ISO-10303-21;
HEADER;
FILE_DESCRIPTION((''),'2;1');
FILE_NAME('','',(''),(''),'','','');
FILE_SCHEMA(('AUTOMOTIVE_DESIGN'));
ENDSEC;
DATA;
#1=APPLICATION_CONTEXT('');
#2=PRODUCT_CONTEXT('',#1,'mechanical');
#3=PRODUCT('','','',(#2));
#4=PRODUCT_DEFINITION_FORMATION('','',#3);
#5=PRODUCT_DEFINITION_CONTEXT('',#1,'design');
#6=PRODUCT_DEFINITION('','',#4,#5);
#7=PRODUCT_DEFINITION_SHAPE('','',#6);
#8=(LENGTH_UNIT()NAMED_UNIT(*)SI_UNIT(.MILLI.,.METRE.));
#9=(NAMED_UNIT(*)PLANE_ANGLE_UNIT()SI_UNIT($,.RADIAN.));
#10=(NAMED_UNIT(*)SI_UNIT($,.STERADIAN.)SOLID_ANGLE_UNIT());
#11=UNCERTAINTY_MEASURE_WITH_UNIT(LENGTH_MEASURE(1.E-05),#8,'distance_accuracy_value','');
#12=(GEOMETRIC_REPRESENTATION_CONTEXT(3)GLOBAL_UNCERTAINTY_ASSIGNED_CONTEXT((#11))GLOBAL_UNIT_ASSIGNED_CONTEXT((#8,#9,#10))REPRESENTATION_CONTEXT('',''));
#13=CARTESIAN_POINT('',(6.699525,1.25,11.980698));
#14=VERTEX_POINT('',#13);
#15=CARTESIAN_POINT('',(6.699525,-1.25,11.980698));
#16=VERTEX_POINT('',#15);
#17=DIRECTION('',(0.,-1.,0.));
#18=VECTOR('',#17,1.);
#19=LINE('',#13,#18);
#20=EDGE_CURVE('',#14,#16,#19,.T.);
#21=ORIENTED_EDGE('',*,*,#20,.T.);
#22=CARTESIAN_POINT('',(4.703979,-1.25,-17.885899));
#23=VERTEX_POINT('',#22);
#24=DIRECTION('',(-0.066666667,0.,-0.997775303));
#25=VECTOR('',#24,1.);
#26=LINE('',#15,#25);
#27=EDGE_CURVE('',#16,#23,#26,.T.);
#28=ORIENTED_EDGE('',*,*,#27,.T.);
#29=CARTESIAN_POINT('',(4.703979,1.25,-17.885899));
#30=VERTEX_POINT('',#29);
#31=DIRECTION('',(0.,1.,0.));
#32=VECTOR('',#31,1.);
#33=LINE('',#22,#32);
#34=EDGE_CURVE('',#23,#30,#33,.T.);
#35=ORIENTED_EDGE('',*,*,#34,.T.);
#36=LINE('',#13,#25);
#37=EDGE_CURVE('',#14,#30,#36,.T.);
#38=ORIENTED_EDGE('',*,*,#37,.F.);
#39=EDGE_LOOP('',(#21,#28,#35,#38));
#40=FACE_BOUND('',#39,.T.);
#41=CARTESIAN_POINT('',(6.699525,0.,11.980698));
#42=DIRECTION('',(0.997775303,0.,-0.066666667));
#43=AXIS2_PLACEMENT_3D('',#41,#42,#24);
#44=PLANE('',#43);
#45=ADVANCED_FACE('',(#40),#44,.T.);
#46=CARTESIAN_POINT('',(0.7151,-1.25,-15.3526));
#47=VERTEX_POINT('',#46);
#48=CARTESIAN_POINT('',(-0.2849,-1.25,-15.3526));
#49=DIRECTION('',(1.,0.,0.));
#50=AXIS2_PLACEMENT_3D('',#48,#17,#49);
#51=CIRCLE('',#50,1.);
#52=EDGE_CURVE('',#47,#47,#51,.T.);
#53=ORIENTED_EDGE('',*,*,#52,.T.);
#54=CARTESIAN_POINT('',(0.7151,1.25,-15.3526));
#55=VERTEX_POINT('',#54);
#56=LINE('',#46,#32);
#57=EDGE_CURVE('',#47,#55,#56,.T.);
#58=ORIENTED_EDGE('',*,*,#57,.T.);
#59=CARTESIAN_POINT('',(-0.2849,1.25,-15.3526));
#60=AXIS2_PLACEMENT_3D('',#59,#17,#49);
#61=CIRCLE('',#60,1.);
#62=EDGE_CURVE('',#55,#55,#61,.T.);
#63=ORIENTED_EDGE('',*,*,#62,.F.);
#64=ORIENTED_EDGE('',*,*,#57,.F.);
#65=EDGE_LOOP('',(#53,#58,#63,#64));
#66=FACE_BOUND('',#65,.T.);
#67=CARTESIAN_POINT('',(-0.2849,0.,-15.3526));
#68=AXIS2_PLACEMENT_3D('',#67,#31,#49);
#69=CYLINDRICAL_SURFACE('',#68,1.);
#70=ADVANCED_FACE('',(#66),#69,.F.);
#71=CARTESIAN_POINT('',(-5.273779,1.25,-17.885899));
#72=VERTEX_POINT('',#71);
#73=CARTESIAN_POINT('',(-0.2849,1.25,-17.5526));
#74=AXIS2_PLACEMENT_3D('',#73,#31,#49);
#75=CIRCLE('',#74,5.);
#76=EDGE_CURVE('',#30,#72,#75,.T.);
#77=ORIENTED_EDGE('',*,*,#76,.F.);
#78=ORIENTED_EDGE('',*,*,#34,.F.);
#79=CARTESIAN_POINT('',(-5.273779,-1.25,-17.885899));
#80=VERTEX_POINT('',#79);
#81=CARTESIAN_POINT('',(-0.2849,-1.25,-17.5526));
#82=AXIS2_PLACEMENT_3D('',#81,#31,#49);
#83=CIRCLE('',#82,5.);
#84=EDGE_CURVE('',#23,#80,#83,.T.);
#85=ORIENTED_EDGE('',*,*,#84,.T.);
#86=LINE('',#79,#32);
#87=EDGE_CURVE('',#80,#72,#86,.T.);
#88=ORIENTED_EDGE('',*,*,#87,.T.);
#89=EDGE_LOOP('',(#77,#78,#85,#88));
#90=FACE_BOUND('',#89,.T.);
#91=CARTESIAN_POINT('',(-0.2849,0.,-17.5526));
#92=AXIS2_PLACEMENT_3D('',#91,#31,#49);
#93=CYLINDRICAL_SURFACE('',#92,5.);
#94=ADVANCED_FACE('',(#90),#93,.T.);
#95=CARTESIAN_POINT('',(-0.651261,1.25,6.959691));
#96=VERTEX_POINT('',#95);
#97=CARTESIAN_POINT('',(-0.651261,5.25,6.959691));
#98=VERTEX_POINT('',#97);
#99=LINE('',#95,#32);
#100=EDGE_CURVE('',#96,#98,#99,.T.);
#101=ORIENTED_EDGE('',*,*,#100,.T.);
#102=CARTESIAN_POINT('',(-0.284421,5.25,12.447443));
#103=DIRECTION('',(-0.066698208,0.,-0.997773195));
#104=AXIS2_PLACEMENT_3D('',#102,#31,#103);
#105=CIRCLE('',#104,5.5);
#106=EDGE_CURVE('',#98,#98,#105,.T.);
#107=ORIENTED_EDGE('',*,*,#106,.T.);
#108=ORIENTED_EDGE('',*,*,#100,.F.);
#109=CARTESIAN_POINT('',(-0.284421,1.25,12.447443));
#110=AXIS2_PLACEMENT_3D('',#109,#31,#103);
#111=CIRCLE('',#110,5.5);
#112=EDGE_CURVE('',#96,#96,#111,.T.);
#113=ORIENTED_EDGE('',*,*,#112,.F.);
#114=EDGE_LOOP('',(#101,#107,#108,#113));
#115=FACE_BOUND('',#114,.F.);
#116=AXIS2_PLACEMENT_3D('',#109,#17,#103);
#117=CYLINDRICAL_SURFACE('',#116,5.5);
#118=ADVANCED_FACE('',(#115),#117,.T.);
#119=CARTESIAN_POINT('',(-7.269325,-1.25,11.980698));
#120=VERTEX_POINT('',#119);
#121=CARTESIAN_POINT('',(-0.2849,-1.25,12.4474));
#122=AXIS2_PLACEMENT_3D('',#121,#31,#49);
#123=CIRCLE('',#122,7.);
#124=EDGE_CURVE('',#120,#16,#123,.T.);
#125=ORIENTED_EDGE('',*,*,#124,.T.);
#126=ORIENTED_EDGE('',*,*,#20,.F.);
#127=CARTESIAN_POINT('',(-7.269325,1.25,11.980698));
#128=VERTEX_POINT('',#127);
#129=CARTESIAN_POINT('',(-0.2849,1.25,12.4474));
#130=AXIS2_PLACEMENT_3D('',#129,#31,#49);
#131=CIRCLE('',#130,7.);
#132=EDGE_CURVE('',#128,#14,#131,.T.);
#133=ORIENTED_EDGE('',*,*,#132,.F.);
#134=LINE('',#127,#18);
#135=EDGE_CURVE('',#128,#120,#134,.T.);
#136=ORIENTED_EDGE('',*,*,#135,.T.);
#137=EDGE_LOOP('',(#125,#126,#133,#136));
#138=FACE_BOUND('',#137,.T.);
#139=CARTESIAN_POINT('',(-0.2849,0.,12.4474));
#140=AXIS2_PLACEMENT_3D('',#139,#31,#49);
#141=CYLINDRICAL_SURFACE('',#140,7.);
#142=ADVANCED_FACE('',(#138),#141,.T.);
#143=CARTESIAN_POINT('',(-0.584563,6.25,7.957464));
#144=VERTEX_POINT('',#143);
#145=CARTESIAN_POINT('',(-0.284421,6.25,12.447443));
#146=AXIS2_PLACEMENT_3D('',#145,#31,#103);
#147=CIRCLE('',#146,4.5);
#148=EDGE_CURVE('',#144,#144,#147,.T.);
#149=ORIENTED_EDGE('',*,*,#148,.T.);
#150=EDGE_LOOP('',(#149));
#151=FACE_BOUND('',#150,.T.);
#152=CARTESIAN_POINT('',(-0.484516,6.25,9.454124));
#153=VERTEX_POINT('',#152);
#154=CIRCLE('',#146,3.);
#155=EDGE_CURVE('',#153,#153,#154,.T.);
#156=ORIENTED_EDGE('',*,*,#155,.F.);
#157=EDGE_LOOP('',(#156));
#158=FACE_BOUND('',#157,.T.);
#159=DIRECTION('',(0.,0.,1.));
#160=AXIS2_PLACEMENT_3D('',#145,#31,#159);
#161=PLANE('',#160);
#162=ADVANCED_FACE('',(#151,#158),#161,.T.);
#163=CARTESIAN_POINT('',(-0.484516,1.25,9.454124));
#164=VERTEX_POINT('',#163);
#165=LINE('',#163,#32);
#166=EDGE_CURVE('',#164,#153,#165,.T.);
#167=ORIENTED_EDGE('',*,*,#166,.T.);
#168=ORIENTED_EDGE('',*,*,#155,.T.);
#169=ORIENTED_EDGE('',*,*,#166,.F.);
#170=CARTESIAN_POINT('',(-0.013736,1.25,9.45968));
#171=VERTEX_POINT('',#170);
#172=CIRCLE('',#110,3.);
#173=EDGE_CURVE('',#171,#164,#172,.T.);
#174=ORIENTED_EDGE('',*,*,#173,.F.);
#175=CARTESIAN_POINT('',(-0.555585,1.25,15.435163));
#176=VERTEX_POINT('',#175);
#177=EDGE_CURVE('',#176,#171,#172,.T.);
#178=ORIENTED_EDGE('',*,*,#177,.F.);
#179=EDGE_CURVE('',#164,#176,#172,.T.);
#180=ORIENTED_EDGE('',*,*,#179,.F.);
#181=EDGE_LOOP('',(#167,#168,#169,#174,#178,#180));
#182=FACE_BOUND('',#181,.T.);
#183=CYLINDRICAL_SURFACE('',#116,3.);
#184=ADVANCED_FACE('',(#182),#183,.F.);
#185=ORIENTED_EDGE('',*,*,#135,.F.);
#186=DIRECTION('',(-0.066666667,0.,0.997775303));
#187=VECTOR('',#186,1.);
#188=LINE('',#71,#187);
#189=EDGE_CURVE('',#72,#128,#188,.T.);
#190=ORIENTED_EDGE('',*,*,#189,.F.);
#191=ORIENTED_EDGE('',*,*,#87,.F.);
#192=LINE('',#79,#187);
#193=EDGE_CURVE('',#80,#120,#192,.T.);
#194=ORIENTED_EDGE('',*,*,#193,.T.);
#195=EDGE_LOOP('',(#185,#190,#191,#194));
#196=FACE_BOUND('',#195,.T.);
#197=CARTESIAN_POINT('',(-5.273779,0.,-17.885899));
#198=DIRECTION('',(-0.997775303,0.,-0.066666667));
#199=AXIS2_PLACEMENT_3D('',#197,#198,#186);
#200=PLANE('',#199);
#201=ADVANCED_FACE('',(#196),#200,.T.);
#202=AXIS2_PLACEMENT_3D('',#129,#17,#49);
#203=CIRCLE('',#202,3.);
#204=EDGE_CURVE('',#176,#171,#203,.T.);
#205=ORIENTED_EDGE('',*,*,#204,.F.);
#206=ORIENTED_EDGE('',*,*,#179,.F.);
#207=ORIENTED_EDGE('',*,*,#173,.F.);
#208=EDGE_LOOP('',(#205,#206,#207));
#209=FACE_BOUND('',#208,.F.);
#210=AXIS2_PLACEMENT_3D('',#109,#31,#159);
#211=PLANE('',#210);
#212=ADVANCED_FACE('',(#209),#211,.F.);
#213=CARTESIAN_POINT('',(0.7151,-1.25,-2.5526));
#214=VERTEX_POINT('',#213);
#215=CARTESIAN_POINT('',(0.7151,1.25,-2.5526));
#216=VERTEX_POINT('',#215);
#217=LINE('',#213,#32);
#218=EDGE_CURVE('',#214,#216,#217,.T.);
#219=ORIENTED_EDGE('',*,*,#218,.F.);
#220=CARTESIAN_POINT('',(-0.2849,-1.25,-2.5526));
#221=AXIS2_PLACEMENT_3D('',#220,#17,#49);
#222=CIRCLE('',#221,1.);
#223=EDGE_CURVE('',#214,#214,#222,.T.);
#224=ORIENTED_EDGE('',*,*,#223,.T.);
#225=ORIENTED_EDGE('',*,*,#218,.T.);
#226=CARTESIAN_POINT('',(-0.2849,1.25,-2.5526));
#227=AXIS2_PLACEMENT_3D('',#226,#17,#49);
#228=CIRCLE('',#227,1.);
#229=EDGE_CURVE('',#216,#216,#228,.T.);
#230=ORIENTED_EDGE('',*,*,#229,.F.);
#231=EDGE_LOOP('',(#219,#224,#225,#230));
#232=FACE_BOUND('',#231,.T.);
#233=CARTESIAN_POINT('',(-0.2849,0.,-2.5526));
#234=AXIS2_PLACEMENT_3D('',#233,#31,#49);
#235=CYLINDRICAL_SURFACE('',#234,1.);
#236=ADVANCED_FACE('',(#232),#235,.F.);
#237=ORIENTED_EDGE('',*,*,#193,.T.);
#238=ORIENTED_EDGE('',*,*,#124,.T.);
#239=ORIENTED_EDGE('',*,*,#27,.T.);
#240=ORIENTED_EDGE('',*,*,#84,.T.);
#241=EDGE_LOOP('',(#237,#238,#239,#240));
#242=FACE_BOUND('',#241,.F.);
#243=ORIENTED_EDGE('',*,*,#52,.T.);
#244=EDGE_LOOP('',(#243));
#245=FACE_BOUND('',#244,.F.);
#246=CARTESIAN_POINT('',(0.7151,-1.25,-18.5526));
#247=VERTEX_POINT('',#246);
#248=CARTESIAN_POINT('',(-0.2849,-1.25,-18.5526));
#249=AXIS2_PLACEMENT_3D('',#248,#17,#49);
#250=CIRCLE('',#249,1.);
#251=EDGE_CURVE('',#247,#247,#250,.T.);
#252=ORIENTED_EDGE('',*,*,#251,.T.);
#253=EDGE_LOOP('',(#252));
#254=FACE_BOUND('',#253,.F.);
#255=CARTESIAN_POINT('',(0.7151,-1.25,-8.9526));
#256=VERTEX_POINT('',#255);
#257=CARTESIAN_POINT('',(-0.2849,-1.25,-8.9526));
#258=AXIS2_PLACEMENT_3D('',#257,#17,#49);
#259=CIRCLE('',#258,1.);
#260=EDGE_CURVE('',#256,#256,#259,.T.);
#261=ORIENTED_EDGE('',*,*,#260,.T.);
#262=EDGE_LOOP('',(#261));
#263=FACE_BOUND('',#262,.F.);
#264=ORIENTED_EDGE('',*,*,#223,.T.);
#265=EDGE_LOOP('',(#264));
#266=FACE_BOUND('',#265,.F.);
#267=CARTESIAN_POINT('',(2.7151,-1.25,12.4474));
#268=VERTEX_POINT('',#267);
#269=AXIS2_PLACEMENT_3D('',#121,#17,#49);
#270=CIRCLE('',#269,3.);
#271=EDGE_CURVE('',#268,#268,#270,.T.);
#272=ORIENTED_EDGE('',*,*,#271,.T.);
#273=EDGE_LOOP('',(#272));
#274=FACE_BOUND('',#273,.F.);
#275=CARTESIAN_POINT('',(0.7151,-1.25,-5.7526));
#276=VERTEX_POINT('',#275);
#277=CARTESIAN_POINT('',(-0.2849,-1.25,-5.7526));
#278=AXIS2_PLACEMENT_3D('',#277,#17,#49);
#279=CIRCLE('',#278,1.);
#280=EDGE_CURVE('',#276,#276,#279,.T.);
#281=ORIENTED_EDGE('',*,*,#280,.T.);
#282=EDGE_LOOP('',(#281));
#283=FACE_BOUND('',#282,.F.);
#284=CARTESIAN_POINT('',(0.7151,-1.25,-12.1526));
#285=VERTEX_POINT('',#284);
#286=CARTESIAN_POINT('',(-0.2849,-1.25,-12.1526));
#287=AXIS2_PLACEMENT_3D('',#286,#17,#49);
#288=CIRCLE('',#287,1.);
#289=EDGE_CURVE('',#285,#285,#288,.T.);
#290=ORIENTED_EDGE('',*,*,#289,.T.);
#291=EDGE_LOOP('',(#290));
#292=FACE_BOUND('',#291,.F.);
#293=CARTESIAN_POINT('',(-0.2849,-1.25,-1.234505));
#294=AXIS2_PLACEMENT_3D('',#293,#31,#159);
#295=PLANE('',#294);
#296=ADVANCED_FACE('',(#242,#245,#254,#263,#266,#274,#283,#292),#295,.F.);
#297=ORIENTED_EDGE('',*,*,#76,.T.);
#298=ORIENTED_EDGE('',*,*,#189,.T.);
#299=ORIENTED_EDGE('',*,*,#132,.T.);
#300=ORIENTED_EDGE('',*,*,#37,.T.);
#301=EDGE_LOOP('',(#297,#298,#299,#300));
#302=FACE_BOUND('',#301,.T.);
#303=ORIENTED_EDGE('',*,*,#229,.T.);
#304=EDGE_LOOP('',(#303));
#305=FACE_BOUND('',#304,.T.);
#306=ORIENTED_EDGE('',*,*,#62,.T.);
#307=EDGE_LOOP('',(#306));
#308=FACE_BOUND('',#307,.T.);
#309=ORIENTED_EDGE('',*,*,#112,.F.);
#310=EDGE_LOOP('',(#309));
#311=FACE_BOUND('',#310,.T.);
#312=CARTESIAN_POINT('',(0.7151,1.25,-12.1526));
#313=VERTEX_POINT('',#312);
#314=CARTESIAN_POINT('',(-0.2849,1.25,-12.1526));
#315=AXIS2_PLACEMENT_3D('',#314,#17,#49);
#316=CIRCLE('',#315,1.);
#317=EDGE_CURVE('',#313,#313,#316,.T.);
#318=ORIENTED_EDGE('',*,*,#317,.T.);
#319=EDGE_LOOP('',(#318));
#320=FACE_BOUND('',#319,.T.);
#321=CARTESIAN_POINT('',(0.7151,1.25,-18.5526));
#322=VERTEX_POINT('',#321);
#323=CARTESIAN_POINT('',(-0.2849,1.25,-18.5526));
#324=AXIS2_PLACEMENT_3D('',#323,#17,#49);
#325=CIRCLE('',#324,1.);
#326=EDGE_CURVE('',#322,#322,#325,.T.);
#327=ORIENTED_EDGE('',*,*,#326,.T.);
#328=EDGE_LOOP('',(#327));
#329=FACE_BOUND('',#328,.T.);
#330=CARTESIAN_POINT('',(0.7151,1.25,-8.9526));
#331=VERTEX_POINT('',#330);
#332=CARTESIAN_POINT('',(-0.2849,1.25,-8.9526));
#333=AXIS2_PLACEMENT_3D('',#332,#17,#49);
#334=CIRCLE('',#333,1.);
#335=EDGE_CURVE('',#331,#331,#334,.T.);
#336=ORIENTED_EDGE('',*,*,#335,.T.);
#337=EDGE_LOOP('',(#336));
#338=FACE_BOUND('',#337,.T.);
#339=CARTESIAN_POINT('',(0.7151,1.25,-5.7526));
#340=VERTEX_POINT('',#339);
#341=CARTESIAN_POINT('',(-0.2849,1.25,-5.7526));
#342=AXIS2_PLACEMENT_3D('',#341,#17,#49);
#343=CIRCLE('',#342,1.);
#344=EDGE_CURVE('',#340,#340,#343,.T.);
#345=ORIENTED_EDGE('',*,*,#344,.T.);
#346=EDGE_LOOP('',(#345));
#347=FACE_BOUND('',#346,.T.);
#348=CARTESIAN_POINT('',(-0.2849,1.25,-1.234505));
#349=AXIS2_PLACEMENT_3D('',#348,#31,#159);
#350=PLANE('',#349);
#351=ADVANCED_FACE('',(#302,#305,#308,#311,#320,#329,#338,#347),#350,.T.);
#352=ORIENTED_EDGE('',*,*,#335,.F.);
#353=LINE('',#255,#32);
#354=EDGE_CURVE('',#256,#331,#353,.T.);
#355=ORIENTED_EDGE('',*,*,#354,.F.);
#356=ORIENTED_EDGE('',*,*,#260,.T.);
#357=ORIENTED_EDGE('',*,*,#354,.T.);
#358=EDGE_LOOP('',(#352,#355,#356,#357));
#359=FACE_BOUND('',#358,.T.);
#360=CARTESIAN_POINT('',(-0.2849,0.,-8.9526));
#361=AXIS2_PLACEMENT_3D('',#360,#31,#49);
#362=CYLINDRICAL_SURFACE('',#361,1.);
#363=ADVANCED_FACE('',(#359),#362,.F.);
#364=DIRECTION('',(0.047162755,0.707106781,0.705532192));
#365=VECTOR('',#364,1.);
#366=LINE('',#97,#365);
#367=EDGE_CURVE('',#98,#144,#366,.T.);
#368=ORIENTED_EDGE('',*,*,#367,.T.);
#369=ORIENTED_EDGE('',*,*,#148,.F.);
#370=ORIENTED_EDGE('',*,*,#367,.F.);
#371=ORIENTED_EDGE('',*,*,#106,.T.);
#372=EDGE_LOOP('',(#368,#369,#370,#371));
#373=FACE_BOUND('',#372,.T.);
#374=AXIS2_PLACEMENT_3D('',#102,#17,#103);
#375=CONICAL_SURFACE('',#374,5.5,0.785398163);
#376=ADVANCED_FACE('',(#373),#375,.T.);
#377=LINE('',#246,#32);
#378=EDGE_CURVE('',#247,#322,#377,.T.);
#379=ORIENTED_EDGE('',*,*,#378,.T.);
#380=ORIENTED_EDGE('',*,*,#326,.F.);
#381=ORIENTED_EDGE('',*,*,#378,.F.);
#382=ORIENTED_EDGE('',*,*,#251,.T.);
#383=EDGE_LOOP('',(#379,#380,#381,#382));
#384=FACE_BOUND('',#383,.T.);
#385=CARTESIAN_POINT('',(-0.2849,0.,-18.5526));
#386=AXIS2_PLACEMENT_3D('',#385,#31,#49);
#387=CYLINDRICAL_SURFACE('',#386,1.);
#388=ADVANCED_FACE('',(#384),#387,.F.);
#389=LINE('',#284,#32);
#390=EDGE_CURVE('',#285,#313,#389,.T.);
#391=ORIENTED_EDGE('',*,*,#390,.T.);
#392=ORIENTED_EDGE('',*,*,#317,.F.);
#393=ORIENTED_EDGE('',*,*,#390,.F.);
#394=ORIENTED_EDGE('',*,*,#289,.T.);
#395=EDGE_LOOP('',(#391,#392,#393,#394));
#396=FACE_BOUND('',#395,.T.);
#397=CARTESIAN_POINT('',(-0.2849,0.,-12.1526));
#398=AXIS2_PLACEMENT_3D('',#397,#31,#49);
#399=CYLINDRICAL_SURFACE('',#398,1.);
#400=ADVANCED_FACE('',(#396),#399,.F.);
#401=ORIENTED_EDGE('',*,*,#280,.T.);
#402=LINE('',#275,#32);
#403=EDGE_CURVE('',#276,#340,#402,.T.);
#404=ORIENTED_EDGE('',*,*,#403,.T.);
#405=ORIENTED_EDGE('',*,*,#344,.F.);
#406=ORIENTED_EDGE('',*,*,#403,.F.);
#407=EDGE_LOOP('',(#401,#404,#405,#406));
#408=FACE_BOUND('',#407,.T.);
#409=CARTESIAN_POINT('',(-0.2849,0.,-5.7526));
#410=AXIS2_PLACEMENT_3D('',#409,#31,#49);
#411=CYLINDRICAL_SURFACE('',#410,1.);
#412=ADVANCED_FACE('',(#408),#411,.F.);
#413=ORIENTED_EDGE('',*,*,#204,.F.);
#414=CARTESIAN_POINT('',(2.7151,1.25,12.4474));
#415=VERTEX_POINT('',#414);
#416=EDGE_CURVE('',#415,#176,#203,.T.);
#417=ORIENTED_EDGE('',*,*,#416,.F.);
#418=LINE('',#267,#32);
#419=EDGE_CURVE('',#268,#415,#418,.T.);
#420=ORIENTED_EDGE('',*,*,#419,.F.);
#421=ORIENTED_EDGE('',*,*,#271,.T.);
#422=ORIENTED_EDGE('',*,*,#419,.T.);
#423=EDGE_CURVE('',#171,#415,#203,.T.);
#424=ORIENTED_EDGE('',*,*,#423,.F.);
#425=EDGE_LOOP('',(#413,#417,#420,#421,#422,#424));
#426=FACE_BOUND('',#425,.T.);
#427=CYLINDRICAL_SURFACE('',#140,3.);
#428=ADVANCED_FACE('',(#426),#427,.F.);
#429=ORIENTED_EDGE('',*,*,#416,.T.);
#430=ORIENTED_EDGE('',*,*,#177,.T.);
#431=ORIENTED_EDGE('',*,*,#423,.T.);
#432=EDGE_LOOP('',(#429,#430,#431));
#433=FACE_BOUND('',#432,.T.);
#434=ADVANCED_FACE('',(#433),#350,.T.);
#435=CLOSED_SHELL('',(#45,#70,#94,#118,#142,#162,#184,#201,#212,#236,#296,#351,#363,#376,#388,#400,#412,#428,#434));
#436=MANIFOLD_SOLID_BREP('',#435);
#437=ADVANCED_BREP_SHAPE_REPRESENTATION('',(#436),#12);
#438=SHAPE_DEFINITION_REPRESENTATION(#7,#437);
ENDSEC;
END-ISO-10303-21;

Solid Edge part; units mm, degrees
sketch "Sketch1" plane through (0, 0, 0) normal (0, -1, 0) x (1, 0, 0)
  circle A0 centre (-0.2849, 12.4474) radius 3
  circle A1 centre (-0.2849, -2.5526) radius 1
  circle A2 centre (-0.2849, -5.7526) radius 1
  circle A3 centre (-0.2849, -8.9526) radius 1
  circle A4 centre (-0.2849, -15.3526) radius 1
  circle A5 centre (-0.2849, -18.5526) radius 1
  line L0 (6.6995, 11.9807) -> (4.704, -17.8859)
  arc A6 (4.704, -17.8859) -> (-5.2738, -17.8859) centre (-0.2849, -17.5526) cw
  line L1 (-5.2738, -17.8859) -> (-7.2693, 11.9807)
  arc A7 (-7.2693, 11.9807) -> (6.6995, 11.9807) centre (-0.2849, 12.4474) cw
  circle A8 centre (-0.2849, -12.1526) radius 1
  dimension "D1" = 15
  dimension "D2" = 18.2
  dimension "D3" = 21.4
  dimension "D4" = 24.6
  dimension "D5" = 27.8
  dimension "D6" = 31
  dimension "D7" = 11
extrude "Protrusion1" add sketch "Sketch1" along normal mid plane 2.5
sketch "Sketch2" plane through (-0.2849, 1.25, -1.5526) normal (0, 1, 0) x (-0.0667, 0, -0.9978)
  circle A0 centre (-13.9689, 0.9333) radius 5.5
  circle A1 centre (-13.9689, 0.9333) radius 3
extrude "ProtrusiónExtruida_2" add sketch "Sketch2" along normal blind 5
chamfer "Chaflán_1" distance 1 angle 45 1 edges at (0.0818, 6.25, 17.9352)
properties material "Abs 15"
